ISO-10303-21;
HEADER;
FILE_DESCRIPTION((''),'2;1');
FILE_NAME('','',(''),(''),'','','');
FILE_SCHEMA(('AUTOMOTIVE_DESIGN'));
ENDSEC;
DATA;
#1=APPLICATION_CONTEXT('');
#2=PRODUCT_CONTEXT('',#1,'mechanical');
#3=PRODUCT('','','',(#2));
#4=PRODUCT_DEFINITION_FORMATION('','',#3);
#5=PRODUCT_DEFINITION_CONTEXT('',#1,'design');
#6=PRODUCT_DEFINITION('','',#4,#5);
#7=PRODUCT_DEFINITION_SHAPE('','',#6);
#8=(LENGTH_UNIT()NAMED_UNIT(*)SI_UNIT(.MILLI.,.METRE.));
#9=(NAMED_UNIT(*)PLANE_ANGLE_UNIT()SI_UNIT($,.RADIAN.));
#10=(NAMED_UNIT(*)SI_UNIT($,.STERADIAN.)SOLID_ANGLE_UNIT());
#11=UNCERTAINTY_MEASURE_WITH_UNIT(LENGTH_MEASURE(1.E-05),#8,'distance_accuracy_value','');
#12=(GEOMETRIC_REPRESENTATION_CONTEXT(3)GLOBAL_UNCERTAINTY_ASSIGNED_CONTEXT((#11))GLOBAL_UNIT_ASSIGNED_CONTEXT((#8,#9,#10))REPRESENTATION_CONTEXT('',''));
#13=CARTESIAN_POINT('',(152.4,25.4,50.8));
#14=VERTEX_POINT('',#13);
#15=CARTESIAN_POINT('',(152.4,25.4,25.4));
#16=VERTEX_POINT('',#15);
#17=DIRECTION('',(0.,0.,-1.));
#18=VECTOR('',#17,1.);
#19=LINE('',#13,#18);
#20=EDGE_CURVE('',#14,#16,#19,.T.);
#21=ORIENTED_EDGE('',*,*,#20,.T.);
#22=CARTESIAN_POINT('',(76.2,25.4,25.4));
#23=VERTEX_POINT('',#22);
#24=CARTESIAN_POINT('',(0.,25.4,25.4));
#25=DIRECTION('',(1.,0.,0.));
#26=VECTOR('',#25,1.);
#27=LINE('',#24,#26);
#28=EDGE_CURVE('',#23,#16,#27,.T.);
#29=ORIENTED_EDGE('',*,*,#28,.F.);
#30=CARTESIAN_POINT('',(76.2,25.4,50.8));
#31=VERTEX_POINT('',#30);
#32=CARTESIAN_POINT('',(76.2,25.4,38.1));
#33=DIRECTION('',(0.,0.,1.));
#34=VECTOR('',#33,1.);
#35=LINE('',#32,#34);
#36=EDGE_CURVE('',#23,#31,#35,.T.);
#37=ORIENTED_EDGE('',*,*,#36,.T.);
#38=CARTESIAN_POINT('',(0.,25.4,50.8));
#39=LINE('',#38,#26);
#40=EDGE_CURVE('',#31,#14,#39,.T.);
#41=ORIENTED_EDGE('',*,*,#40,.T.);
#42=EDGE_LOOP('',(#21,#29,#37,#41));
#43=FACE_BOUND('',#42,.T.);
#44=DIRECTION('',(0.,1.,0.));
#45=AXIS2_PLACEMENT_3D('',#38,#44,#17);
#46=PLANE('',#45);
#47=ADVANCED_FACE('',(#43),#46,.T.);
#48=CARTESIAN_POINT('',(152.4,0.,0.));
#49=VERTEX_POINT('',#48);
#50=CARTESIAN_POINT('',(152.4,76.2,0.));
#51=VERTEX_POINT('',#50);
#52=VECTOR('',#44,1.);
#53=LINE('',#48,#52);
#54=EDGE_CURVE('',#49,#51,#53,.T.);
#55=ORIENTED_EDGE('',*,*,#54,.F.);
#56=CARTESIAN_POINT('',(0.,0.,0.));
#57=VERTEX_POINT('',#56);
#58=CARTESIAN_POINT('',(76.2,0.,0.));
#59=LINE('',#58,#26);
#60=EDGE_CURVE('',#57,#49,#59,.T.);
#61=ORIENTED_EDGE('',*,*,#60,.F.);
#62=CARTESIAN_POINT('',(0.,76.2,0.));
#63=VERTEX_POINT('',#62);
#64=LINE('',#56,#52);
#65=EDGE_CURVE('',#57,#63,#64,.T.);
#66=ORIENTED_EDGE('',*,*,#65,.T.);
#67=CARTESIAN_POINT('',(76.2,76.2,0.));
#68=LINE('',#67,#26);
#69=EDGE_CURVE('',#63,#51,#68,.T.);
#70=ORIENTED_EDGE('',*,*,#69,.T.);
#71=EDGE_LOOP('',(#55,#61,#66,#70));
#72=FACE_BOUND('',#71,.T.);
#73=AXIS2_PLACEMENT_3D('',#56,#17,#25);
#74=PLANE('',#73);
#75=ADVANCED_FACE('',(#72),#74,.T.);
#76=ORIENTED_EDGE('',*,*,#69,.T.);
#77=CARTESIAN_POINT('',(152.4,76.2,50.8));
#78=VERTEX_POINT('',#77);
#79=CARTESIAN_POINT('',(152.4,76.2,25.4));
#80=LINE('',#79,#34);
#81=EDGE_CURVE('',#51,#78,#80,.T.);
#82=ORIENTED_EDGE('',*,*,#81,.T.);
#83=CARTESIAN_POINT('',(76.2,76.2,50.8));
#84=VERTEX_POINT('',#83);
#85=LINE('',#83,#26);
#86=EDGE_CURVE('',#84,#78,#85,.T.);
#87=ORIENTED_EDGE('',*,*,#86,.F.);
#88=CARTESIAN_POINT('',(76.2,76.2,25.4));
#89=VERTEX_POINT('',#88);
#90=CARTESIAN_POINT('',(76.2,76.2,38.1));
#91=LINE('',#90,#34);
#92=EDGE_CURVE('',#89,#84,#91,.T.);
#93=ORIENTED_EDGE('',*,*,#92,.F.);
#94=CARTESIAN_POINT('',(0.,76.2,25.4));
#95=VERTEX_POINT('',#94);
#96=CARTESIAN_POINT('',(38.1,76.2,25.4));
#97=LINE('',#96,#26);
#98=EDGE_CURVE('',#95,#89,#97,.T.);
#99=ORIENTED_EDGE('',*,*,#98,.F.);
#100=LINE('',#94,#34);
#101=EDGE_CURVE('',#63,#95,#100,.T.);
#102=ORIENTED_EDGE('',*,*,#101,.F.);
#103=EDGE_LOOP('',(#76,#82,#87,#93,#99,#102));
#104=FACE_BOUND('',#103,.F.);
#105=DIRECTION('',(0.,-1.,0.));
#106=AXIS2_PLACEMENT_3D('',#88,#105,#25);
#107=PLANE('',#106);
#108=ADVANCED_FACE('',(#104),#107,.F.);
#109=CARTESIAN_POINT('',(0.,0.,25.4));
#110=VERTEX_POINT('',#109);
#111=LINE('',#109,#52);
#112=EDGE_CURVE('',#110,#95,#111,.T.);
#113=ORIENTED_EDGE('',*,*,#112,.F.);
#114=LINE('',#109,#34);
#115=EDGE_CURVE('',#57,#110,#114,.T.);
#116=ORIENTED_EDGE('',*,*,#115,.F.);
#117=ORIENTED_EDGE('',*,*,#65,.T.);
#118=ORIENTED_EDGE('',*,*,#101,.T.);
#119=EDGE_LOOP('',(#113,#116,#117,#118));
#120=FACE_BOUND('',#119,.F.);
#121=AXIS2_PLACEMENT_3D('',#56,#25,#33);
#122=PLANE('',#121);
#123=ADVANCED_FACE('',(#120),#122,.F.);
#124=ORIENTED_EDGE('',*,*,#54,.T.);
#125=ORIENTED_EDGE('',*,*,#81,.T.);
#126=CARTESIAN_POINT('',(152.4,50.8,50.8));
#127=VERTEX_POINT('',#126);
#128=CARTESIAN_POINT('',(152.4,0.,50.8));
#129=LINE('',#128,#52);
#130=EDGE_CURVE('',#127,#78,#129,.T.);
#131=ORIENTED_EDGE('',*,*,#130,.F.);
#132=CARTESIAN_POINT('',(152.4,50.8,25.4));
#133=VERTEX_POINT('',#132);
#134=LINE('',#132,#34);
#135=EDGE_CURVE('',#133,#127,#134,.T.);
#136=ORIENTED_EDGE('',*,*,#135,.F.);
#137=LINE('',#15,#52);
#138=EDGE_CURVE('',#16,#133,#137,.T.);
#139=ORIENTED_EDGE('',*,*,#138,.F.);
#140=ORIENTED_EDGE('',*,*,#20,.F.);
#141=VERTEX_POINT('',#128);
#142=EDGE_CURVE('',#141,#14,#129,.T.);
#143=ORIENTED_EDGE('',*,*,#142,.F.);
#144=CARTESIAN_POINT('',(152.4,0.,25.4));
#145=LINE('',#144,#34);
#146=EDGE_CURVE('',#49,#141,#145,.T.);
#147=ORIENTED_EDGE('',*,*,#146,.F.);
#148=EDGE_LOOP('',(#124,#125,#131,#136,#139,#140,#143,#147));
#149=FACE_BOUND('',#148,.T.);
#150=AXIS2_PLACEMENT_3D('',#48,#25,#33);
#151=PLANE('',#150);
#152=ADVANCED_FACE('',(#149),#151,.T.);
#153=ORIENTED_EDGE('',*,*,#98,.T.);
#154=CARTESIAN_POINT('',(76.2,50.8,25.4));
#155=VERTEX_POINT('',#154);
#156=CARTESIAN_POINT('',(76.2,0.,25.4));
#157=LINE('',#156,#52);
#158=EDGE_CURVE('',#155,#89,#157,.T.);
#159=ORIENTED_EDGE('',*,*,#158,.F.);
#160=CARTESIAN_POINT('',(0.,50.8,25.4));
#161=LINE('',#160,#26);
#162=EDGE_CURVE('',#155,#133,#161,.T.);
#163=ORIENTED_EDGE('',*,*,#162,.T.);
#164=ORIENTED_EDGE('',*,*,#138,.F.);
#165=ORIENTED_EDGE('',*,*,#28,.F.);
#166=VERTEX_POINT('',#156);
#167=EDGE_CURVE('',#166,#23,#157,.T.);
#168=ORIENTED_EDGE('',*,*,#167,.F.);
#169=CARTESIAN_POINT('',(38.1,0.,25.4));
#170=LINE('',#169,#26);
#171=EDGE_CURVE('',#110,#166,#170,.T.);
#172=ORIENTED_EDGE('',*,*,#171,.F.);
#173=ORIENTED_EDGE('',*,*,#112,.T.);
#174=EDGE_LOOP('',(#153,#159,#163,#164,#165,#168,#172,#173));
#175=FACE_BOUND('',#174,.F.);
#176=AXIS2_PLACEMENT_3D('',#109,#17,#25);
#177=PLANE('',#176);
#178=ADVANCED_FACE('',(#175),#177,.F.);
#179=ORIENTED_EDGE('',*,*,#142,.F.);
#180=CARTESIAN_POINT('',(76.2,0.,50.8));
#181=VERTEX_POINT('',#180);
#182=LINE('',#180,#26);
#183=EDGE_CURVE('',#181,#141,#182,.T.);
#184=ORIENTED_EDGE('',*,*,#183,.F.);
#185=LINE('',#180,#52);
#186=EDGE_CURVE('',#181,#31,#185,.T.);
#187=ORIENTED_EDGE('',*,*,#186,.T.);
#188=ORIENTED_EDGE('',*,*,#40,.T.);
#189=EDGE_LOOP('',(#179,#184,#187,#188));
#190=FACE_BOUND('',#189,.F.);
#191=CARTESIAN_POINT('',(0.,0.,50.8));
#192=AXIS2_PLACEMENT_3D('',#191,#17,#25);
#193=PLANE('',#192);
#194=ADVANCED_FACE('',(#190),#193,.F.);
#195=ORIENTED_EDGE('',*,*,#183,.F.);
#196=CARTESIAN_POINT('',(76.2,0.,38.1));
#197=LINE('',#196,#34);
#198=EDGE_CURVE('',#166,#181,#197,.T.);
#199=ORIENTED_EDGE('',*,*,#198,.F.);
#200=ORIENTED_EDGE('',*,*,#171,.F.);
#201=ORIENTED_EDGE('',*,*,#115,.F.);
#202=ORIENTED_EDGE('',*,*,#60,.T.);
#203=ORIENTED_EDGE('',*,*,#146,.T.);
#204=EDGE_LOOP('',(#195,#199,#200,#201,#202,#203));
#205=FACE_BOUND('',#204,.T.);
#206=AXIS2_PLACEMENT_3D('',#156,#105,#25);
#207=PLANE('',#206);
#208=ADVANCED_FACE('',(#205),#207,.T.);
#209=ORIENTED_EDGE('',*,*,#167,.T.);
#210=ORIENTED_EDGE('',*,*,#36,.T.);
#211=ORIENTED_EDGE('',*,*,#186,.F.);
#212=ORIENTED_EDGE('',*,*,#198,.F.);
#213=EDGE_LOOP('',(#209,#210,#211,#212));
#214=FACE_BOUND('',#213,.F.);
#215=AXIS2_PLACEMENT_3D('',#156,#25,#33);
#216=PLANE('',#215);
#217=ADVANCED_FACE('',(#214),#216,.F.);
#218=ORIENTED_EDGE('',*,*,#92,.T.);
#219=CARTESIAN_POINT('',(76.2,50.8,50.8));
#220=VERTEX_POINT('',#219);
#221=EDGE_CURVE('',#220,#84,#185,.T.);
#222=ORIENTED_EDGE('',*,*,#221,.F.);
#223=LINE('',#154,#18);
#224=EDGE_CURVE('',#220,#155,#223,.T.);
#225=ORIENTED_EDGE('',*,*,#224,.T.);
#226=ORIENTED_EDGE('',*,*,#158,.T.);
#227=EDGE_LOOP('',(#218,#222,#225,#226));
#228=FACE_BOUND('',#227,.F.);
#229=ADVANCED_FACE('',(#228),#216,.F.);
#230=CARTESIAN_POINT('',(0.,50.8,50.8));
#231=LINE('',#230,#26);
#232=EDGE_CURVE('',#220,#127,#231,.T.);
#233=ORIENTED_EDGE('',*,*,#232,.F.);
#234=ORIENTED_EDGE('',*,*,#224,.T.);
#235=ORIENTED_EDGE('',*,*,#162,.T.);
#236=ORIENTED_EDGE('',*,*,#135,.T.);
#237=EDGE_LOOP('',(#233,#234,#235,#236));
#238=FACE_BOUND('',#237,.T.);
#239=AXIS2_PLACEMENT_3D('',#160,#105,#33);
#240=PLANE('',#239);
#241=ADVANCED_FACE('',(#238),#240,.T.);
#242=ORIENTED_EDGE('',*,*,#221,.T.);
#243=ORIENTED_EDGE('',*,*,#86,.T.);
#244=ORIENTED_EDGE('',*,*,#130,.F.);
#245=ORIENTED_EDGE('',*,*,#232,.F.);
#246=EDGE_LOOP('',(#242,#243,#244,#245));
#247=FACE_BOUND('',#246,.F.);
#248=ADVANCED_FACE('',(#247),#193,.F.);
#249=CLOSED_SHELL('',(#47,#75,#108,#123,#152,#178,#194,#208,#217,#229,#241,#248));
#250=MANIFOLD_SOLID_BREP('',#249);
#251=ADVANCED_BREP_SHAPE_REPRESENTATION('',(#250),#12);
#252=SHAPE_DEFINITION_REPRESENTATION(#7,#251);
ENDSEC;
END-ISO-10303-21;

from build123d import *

# Parameters (mm, degrees)
F0_W     = 152.4
F0_H     = 50.8
F1_DEPTH = 76.2
F2_W     = 76.2
F2_H     = 25.4
F3_DEPTH = 76.2
F5_DEPTH = 152.4


with BuildPart() as f1:
    # F0 (on Front) → F1 (new body)
    with BuildSketch(Plane.XZ):
        with Locations((76.2, 25.4)):
            Rectangle(F0_W, F0_H)
    extrude(amount=-F1_DEPTH)

    # F2 (on face) → F3 (cut)
    with BuildSketch(Plane.XZ):
        with Locations((38.1, 38.1)):
            Rectangle(F2_W, F2_H)
    extrude(amount=-F3_DEPTH, mode=Mode.SUBTRACT)

    # F4 (on Right) → F5 (cut)
    with BuildSketch(Plane.YZ):
        Polygon((50.8, 50.8), (25.4, 50.8), (25.4, 41.440621), (25.4, 25.4), (50.8, 25.4), align=None)
    extrude(amount=F5_DEPTH, mode=Mode.SUBTRACT)


solid = f1.part
